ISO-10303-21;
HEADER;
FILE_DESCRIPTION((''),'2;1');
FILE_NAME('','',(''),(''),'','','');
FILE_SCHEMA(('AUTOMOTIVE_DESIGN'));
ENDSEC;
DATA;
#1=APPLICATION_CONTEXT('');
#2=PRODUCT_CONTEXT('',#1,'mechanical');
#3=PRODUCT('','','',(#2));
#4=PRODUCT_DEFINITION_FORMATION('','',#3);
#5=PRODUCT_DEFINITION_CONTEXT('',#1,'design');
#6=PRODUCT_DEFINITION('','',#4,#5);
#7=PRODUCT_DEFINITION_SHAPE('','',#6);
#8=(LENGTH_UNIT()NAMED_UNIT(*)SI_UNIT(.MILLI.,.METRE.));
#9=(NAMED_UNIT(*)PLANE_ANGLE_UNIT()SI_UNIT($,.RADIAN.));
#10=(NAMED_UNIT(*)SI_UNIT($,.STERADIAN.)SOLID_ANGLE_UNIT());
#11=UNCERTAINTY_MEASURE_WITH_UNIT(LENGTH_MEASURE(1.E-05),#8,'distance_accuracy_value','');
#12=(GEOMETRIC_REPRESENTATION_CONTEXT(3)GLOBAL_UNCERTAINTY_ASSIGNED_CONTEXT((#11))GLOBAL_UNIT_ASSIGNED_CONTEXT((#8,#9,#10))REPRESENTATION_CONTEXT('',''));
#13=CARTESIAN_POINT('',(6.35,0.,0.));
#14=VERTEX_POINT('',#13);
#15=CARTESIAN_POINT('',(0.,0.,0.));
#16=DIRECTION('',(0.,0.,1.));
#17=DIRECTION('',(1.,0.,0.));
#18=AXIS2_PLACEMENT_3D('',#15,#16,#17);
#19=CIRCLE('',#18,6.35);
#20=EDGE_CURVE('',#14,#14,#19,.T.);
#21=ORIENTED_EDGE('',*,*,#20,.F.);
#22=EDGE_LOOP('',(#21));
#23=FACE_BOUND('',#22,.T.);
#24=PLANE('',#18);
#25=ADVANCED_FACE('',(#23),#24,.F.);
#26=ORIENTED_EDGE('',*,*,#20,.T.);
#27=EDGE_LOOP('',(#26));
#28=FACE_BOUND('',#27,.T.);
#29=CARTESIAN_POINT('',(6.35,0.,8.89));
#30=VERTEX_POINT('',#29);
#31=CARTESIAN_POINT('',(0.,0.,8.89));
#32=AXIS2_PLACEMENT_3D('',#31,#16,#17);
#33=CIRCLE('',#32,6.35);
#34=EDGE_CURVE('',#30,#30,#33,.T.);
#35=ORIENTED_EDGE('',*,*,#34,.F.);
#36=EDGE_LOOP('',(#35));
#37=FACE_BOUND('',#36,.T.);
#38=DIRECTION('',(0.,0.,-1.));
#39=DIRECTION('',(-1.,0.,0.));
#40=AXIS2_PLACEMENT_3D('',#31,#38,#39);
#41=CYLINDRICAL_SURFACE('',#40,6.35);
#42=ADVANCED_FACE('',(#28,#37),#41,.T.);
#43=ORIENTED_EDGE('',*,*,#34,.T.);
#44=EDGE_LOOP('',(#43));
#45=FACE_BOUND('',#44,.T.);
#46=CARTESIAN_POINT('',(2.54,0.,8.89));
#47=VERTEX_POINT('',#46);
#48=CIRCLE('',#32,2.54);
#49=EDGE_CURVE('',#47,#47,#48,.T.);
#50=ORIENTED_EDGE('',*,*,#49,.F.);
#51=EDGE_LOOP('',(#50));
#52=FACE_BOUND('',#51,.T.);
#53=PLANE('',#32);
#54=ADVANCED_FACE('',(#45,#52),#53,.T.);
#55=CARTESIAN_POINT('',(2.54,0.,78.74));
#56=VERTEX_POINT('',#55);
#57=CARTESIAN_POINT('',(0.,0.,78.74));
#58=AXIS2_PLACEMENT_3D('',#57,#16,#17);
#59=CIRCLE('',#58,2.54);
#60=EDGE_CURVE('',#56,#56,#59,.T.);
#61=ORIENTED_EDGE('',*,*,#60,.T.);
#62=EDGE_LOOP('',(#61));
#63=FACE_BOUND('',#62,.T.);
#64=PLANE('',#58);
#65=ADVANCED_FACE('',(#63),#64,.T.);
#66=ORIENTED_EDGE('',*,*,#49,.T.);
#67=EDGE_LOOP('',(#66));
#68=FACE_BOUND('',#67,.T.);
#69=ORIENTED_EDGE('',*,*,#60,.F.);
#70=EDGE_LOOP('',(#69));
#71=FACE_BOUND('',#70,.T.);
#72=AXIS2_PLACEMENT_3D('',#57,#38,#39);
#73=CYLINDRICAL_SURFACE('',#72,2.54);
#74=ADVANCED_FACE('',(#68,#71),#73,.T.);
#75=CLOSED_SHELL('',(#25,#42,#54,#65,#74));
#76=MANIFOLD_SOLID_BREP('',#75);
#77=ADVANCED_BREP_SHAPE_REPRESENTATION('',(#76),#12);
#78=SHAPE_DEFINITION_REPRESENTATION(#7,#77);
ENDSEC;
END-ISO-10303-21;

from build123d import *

# Parameters (mm, degrees)
SKETCH1_R           = 6.35
BOSS_EXTRUDE1_DEPTH = 8.89
SKETCH2_R           = 2.54
BOSS_EXTRUDE2_DEPTH = 69.85


with BuildPart() as part:
    # Sketch1 → Boss-Extrude1 (new body)
    with BuildSketch(Plane.XY):
        Circle(SKETCH1_R)
    extrude(amount=BOSS_EXTRUDE1_DEPTH)

    # Sketch2 → Boss-Extrude2 (add)
    with BuildSketch(Plane.XY.offset(8.89)):
        Circle(SKETCH2_R)
    extrude(amount=BOSS_EXTRUDE2_DEPTH)


solid = part.part
